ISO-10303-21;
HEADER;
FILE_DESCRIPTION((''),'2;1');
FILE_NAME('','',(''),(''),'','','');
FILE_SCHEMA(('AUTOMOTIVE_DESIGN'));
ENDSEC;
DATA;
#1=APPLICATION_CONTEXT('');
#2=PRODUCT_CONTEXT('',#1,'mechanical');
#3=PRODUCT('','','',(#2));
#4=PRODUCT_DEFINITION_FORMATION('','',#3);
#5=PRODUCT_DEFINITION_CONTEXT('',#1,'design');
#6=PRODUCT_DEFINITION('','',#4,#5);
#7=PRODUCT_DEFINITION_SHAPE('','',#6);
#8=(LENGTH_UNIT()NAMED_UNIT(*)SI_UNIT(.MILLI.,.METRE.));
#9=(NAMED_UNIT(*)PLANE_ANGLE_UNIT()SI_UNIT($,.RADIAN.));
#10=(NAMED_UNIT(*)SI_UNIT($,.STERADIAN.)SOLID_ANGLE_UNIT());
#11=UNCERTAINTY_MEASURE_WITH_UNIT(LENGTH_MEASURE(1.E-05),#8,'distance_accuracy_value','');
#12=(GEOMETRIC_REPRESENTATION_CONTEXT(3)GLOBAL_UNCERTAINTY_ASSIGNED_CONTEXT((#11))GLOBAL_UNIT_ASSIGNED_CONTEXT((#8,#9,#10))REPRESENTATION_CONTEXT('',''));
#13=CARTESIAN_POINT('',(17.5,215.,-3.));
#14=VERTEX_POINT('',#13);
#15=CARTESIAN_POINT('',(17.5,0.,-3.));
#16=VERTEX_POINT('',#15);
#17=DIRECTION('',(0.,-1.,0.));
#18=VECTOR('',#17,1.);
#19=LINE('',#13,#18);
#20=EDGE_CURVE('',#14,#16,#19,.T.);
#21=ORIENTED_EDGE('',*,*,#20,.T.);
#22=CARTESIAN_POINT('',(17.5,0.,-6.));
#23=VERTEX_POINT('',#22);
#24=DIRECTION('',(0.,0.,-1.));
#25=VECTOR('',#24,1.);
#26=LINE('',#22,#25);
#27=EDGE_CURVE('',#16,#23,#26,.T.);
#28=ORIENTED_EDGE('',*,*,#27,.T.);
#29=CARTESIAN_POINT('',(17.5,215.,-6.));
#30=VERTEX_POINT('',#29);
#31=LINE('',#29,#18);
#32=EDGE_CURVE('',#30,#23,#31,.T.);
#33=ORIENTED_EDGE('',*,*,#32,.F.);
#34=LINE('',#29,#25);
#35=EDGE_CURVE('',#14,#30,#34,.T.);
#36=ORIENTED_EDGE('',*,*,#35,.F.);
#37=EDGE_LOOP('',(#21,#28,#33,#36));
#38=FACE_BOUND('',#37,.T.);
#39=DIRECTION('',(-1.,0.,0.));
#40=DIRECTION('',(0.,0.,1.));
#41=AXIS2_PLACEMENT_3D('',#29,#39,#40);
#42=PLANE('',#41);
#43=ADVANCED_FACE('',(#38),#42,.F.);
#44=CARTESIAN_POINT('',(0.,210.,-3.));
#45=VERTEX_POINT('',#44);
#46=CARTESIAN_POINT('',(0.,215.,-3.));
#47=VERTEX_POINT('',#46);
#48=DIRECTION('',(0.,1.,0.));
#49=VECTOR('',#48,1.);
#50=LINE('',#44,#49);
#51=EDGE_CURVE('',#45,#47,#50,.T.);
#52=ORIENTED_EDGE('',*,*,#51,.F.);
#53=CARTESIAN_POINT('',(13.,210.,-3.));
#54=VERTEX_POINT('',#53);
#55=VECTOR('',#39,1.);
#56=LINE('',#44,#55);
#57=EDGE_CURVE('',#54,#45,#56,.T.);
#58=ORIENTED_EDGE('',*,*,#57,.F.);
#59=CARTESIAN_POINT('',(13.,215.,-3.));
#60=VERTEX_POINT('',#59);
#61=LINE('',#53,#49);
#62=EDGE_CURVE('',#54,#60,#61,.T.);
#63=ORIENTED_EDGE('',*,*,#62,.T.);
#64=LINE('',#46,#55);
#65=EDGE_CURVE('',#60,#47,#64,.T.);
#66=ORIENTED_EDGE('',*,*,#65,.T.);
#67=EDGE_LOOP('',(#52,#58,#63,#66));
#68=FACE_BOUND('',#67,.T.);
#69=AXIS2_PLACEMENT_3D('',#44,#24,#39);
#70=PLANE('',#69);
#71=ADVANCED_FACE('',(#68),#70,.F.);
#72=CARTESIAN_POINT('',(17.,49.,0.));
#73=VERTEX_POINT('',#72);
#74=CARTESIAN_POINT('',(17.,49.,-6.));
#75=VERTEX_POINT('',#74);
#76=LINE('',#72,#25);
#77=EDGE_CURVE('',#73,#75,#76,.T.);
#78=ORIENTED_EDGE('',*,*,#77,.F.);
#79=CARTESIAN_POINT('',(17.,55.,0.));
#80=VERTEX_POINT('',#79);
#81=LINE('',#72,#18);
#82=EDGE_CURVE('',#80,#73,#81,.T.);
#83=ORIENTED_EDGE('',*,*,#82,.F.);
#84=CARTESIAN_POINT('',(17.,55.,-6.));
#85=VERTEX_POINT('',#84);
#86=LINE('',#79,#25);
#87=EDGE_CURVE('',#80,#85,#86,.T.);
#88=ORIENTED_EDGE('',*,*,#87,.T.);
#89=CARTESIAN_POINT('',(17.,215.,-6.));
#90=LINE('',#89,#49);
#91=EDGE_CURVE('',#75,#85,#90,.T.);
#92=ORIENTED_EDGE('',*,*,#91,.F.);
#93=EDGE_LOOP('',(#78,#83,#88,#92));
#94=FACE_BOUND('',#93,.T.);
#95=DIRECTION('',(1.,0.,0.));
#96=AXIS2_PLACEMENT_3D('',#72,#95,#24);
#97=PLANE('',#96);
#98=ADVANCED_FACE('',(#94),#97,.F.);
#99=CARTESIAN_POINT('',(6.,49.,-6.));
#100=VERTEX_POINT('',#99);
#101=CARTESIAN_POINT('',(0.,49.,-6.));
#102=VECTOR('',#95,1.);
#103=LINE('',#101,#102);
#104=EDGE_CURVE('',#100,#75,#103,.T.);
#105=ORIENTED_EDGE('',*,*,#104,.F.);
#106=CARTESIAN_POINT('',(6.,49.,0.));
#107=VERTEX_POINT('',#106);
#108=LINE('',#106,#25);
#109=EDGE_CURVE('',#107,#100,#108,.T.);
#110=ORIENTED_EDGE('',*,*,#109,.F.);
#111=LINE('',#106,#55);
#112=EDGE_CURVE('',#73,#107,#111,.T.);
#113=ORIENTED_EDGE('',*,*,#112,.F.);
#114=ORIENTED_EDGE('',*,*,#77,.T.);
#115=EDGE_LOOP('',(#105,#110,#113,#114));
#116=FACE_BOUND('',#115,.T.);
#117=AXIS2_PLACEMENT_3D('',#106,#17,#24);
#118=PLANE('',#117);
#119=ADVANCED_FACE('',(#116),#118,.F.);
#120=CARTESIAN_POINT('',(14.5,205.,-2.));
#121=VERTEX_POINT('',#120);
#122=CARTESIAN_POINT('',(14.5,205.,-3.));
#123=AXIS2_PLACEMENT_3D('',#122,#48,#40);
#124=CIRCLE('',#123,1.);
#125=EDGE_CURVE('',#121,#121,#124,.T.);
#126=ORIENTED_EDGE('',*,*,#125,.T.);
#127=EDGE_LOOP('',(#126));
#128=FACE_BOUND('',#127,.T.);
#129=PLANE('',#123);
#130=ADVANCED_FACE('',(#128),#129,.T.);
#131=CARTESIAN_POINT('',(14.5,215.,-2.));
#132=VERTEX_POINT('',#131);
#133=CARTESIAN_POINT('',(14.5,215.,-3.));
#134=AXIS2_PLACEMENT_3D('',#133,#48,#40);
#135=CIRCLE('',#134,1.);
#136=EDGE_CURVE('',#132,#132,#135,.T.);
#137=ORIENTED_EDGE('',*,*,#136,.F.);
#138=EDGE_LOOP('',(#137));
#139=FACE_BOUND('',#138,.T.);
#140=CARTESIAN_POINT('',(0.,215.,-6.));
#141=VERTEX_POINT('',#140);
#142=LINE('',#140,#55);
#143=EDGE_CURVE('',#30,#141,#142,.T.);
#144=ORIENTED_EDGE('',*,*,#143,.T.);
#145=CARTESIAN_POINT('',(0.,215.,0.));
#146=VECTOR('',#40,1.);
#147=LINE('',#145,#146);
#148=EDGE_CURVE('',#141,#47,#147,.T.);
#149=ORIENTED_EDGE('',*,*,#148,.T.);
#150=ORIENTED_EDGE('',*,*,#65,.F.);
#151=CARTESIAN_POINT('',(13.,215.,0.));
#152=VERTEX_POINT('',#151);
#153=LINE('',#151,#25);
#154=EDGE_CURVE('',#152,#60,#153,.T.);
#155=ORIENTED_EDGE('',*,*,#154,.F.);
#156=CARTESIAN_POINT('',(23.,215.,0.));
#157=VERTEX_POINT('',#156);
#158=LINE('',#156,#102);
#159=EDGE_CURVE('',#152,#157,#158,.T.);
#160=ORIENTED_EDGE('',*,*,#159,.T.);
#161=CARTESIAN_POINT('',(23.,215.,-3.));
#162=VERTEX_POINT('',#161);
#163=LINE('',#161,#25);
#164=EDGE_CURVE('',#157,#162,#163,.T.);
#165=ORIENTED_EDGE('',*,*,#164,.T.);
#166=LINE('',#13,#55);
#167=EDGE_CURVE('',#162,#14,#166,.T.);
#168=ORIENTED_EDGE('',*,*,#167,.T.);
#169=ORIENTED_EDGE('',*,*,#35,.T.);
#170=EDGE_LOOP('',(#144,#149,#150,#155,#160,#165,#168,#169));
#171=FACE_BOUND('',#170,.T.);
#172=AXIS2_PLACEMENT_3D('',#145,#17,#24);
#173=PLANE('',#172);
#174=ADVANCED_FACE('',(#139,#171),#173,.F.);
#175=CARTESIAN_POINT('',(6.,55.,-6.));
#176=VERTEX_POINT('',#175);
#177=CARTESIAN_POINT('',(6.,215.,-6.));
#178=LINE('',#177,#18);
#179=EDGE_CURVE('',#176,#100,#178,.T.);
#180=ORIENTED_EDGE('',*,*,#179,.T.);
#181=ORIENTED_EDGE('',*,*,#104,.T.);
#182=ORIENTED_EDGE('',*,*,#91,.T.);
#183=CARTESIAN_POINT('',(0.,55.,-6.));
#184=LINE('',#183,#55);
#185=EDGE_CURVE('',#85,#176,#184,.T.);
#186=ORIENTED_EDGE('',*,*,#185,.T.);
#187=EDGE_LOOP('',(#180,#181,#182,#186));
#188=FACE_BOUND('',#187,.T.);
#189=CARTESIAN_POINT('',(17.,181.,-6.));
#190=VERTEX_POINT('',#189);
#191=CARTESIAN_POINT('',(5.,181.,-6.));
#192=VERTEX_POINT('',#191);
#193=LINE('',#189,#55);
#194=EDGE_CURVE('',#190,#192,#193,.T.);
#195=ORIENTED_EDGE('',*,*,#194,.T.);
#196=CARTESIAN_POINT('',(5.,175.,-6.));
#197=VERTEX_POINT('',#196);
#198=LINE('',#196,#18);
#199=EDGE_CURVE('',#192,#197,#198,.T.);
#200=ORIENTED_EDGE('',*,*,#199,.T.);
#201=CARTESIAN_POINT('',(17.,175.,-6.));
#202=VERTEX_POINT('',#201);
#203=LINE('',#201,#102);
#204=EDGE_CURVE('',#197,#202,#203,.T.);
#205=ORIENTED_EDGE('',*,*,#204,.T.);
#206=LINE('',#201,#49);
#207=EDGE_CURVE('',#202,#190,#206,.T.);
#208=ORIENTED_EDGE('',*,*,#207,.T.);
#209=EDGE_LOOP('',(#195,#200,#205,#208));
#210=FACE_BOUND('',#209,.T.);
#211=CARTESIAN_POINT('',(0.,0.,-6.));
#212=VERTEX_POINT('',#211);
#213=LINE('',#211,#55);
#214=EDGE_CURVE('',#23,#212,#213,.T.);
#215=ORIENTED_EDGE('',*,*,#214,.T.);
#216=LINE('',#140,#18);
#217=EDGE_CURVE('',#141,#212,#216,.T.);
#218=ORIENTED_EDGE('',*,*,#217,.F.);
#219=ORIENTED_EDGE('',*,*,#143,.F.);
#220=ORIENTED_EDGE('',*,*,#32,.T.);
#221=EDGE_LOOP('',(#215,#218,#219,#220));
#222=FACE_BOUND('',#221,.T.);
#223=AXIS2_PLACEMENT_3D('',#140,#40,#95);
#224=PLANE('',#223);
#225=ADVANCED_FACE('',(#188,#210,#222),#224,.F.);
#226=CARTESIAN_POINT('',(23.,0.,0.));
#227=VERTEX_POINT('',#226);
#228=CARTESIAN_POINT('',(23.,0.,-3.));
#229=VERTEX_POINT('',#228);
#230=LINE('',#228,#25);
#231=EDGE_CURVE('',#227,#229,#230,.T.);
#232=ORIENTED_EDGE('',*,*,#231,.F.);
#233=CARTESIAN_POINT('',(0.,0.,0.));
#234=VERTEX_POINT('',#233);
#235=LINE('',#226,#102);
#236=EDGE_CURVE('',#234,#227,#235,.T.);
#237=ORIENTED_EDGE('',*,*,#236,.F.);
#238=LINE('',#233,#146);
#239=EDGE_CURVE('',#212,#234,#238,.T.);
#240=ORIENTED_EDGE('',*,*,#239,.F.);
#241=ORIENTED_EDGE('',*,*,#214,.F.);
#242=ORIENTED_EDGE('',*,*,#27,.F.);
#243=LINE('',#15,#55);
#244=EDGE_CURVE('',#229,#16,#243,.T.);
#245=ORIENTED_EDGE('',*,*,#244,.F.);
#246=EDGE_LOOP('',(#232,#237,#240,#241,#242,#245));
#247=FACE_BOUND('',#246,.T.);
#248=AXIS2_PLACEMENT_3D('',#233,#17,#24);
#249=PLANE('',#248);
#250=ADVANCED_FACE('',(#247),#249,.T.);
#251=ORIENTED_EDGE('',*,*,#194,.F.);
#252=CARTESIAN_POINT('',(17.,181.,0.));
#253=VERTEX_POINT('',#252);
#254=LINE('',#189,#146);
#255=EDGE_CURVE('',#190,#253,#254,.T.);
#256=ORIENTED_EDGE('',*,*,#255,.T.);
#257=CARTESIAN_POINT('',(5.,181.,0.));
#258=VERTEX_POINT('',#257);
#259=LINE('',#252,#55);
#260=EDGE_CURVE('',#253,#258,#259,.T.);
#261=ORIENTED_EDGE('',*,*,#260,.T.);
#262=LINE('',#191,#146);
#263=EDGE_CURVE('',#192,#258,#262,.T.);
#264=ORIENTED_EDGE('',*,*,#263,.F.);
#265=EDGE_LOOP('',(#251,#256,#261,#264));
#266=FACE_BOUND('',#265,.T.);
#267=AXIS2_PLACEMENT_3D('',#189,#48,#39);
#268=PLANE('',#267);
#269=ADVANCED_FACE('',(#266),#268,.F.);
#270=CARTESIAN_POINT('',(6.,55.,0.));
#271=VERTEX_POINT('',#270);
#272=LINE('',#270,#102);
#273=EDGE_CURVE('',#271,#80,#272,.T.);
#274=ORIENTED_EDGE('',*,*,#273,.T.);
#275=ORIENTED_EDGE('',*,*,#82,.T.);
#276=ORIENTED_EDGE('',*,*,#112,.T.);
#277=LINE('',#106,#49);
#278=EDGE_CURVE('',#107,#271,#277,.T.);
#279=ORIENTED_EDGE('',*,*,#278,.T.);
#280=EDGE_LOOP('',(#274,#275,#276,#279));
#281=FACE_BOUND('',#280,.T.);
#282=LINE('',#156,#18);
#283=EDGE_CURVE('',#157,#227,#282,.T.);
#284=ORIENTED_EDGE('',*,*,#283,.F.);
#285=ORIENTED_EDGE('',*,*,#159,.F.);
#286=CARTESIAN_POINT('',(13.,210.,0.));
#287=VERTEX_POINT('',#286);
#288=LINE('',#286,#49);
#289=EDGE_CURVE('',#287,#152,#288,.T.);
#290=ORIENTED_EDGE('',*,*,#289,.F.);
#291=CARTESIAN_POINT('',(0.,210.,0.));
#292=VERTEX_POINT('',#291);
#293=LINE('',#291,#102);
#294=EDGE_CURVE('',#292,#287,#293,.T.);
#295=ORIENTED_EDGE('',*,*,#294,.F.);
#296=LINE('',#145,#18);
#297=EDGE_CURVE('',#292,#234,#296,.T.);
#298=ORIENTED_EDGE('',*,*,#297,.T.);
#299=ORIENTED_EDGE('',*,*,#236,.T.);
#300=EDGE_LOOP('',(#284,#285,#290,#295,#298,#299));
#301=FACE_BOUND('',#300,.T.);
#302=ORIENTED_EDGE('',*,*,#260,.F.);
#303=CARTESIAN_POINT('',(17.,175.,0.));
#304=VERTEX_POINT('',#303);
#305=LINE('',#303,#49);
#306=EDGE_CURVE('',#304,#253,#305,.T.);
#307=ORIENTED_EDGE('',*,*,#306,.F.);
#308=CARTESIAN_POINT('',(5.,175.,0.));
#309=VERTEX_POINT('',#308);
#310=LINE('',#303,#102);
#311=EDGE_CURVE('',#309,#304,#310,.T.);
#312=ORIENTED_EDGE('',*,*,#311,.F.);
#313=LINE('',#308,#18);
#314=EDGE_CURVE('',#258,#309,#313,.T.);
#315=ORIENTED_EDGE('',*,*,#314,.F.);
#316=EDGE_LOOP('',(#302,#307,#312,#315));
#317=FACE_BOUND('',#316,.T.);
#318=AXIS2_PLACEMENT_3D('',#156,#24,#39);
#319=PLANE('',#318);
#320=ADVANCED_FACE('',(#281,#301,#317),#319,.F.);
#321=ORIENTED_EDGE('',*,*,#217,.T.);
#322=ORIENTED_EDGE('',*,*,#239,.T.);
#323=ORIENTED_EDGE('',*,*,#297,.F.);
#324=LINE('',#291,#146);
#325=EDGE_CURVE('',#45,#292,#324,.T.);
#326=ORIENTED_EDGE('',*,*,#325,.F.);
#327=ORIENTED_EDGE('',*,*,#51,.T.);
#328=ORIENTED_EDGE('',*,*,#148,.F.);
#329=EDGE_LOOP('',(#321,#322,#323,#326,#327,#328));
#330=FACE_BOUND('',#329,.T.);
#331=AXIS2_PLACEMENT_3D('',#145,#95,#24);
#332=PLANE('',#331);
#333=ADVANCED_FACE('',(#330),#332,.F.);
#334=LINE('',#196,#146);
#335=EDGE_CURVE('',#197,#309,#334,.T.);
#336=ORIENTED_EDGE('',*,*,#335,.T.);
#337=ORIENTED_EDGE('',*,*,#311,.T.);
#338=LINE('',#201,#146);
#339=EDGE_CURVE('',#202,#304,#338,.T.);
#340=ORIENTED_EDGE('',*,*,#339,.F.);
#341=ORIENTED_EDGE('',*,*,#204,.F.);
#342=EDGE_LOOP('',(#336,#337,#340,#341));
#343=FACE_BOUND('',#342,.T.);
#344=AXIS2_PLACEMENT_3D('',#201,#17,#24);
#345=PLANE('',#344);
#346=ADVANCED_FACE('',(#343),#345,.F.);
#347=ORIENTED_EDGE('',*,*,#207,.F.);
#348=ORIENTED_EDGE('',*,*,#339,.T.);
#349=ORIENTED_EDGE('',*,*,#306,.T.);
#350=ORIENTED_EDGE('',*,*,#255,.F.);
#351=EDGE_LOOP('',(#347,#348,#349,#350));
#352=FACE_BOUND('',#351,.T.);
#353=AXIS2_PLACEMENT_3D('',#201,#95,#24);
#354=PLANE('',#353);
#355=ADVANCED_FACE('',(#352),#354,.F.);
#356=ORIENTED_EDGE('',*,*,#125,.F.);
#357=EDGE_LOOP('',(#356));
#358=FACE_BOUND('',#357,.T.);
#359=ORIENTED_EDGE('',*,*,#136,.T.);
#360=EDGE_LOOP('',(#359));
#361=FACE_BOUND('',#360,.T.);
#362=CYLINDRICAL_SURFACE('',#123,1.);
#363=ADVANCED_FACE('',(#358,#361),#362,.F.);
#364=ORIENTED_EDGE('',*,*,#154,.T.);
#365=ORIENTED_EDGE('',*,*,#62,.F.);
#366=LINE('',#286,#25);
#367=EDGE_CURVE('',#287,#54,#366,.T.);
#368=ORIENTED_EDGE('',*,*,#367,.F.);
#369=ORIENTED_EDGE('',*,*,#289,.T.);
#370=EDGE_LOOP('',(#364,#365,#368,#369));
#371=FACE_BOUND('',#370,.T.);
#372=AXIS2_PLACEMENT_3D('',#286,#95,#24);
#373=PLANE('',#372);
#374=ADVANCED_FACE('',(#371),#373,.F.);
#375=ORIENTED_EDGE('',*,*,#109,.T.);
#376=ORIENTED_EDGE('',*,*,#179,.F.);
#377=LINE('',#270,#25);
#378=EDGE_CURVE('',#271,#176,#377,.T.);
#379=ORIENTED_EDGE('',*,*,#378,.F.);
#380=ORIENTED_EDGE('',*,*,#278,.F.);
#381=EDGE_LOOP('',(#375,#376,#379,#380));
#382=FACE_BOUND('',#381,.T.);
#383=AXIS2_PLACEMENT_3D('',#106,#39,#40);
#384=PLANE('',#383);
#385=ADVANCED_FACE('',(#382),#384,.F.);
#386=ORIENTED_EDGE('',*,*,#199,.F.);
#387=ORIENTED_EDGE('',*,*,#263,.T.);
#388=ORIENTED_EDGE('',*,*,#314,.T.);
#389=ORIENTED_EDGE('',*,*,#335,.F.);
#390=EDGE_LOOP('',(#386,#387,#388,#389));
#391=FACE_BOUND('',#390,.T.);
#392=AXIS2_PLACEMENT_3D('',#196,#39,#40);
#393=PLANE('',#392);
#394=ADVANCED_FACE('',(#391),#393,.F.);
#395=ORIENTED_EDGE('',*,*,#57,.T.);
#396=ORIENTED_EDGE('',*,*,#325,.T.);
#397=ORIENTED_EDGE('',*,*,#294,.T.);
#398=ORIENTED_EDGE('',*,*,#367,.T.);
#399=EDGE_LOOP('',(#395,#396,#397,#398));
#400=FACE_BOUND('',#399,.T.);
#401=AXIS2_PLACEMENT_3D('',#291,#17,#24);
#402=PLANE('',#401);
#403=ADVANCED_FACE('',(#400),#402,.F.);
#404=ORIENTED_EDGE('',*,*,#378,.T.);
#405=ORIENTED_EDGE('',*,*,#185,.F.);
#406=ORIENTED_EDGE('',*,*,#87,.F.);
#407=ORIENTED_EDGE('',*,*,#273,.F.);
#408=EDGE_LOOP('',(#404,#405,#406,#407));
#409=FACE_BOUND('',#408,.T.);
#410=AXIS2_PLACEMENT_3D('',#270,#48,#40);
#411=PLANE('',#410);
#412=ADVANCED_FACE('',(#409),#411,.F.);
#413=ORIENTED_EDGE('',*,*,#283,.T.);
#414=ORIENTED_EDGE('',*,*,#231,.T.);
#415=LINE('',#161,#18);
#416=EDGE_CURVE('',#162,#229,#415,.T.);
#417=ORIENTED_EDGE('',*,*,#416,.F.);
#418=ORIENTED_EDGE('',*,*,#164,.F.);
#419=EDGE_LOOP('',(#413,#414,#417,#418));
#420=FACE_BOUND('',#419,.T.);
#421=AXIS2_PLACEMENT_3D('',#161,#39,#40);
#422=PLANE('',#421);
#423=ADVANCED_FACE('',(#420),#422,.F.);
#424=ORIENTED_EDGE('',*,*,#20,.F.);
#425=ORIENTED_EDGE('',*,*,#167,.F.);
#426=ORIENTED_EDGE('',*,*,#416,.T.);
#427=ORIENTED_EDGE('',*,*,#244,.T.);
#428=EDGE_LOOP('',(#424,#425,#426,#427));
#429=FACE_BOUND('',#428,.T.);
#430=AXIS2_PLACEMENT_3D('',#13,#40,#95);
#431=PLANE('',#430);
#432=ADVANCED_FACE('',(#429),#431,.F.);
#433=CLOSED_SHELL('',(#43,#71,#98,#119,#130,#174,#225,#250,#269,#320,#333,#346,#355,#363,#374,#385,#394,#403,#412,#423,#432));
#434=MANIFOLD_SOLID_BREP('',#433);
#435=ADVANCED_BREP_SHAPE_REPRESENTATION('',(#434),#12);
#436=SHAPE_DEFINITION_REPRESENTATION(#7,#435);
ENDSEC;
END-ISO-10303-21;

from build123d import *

# Parameters (mm, degrees)
BOSS_EXTRU_1_DEPTH           = 215
ESQUISSE2_W                  = 13
ESQUISSE2_H                  = 3
ENL_V_MAT_EXTRU_1_DEPTH      = 5
ESQUISSE3_W                  = 12
ESQUISSE3_H                  = 6
ENL_V_MAT_EXTRU_2_DEPTH      = 217.309962785
ESQUISSE4_R                  = 1
ENL_V_MAT_EXTRU_3_DEPTH      = 10
ENL_V_MAT_EXTRU_4_DEPTH      = 217.309962785
ENL_V_MAT_EXTRU_4_DEPTH_BACK = 217.309962785
ESQUISSE5_W                  = 11
ESQUISSE5_H                  = 6


with BuildPart() as part:
    # Esquisse1 → Boss.-Extru.1 (new body)
    with BuildSketch(Plane(origin=(0, 0, 0), x_dir=(1, 0, 0), z_dir=(0, 1, 0))):
        Polygon((0, 0), (0, 6), (17.5, 6), (17.5, 3), (23, 3), (23, 0), align=None)
    extrude(amount=BOSS_EXTRU_1_DEPTH)

    # Esquisse2 → Enlèv. mat.-Extru.1 (cut)
    with BuildSketch(Plane(origin=(0, 215, 0), x_dir=(1, 0, 0), z_dir=(0, 1, 0))):
        with Locations((6.5, 1.5)):
            Rectangle(ESQUISSE2_W, ESQUISSE2_H)
    extrude(amount=-ENL_V_MAT_EXTRU_1_DEPTH, mode=Mode.SUBTRACT)

    # Esquisse3 → Enlèv. mat.-Extru.2 (cut, through all)
    with BuildSketch(Plane.XY):
        with Locations((11, 178)):
            Rectangle(ESQUISSE3_W, ESQUISSE3_H)
    extrude(amount=-ENL_V_MAT_EXTRU_2_DEPTH, mode=Mode.SUBTRACT)

    # Esquisse4 → Enlèv. mat.-Extru.3 (cut)
    with BuildSketch(Plane(origin=(0, 215, 0), x_dir=(1, 0, 0), z_dir=(0, 1, 0))):
        with Locations(Location((14.5, 3, 0), (0, 0, 270))):
            Circle(ESQUISSE4_R)
    extrude(amount=-ENL_V_MAT_EXTRU_3_DEPTH, mode=Mode.SUBTRACT)

    # Esquisse5 → Enlèv. mat.-Extru.4 (cut, two sides: drawn at the far end of the back side and taken through both)
    with BuildSketch(Plane(origin=(0, 0, -6), x_dir=(-1, 0, 0), z_dir=(0, 0, -1)).offset(-ENL_V_MAT_EXTRU_4_DEPTH_BACK)):
        with Locations((-11.5, 52)):
            Rectangle(ESQUISSE5_W, ESQUISSE5_H)
    extrude(amount=ENL_V_MAT_EXTRU_4_DEPTH + ENL_V_MAT_EXTRU_4_DEPTH_BACK, mode=Mode.SUBTRACT)


solid = part.part
